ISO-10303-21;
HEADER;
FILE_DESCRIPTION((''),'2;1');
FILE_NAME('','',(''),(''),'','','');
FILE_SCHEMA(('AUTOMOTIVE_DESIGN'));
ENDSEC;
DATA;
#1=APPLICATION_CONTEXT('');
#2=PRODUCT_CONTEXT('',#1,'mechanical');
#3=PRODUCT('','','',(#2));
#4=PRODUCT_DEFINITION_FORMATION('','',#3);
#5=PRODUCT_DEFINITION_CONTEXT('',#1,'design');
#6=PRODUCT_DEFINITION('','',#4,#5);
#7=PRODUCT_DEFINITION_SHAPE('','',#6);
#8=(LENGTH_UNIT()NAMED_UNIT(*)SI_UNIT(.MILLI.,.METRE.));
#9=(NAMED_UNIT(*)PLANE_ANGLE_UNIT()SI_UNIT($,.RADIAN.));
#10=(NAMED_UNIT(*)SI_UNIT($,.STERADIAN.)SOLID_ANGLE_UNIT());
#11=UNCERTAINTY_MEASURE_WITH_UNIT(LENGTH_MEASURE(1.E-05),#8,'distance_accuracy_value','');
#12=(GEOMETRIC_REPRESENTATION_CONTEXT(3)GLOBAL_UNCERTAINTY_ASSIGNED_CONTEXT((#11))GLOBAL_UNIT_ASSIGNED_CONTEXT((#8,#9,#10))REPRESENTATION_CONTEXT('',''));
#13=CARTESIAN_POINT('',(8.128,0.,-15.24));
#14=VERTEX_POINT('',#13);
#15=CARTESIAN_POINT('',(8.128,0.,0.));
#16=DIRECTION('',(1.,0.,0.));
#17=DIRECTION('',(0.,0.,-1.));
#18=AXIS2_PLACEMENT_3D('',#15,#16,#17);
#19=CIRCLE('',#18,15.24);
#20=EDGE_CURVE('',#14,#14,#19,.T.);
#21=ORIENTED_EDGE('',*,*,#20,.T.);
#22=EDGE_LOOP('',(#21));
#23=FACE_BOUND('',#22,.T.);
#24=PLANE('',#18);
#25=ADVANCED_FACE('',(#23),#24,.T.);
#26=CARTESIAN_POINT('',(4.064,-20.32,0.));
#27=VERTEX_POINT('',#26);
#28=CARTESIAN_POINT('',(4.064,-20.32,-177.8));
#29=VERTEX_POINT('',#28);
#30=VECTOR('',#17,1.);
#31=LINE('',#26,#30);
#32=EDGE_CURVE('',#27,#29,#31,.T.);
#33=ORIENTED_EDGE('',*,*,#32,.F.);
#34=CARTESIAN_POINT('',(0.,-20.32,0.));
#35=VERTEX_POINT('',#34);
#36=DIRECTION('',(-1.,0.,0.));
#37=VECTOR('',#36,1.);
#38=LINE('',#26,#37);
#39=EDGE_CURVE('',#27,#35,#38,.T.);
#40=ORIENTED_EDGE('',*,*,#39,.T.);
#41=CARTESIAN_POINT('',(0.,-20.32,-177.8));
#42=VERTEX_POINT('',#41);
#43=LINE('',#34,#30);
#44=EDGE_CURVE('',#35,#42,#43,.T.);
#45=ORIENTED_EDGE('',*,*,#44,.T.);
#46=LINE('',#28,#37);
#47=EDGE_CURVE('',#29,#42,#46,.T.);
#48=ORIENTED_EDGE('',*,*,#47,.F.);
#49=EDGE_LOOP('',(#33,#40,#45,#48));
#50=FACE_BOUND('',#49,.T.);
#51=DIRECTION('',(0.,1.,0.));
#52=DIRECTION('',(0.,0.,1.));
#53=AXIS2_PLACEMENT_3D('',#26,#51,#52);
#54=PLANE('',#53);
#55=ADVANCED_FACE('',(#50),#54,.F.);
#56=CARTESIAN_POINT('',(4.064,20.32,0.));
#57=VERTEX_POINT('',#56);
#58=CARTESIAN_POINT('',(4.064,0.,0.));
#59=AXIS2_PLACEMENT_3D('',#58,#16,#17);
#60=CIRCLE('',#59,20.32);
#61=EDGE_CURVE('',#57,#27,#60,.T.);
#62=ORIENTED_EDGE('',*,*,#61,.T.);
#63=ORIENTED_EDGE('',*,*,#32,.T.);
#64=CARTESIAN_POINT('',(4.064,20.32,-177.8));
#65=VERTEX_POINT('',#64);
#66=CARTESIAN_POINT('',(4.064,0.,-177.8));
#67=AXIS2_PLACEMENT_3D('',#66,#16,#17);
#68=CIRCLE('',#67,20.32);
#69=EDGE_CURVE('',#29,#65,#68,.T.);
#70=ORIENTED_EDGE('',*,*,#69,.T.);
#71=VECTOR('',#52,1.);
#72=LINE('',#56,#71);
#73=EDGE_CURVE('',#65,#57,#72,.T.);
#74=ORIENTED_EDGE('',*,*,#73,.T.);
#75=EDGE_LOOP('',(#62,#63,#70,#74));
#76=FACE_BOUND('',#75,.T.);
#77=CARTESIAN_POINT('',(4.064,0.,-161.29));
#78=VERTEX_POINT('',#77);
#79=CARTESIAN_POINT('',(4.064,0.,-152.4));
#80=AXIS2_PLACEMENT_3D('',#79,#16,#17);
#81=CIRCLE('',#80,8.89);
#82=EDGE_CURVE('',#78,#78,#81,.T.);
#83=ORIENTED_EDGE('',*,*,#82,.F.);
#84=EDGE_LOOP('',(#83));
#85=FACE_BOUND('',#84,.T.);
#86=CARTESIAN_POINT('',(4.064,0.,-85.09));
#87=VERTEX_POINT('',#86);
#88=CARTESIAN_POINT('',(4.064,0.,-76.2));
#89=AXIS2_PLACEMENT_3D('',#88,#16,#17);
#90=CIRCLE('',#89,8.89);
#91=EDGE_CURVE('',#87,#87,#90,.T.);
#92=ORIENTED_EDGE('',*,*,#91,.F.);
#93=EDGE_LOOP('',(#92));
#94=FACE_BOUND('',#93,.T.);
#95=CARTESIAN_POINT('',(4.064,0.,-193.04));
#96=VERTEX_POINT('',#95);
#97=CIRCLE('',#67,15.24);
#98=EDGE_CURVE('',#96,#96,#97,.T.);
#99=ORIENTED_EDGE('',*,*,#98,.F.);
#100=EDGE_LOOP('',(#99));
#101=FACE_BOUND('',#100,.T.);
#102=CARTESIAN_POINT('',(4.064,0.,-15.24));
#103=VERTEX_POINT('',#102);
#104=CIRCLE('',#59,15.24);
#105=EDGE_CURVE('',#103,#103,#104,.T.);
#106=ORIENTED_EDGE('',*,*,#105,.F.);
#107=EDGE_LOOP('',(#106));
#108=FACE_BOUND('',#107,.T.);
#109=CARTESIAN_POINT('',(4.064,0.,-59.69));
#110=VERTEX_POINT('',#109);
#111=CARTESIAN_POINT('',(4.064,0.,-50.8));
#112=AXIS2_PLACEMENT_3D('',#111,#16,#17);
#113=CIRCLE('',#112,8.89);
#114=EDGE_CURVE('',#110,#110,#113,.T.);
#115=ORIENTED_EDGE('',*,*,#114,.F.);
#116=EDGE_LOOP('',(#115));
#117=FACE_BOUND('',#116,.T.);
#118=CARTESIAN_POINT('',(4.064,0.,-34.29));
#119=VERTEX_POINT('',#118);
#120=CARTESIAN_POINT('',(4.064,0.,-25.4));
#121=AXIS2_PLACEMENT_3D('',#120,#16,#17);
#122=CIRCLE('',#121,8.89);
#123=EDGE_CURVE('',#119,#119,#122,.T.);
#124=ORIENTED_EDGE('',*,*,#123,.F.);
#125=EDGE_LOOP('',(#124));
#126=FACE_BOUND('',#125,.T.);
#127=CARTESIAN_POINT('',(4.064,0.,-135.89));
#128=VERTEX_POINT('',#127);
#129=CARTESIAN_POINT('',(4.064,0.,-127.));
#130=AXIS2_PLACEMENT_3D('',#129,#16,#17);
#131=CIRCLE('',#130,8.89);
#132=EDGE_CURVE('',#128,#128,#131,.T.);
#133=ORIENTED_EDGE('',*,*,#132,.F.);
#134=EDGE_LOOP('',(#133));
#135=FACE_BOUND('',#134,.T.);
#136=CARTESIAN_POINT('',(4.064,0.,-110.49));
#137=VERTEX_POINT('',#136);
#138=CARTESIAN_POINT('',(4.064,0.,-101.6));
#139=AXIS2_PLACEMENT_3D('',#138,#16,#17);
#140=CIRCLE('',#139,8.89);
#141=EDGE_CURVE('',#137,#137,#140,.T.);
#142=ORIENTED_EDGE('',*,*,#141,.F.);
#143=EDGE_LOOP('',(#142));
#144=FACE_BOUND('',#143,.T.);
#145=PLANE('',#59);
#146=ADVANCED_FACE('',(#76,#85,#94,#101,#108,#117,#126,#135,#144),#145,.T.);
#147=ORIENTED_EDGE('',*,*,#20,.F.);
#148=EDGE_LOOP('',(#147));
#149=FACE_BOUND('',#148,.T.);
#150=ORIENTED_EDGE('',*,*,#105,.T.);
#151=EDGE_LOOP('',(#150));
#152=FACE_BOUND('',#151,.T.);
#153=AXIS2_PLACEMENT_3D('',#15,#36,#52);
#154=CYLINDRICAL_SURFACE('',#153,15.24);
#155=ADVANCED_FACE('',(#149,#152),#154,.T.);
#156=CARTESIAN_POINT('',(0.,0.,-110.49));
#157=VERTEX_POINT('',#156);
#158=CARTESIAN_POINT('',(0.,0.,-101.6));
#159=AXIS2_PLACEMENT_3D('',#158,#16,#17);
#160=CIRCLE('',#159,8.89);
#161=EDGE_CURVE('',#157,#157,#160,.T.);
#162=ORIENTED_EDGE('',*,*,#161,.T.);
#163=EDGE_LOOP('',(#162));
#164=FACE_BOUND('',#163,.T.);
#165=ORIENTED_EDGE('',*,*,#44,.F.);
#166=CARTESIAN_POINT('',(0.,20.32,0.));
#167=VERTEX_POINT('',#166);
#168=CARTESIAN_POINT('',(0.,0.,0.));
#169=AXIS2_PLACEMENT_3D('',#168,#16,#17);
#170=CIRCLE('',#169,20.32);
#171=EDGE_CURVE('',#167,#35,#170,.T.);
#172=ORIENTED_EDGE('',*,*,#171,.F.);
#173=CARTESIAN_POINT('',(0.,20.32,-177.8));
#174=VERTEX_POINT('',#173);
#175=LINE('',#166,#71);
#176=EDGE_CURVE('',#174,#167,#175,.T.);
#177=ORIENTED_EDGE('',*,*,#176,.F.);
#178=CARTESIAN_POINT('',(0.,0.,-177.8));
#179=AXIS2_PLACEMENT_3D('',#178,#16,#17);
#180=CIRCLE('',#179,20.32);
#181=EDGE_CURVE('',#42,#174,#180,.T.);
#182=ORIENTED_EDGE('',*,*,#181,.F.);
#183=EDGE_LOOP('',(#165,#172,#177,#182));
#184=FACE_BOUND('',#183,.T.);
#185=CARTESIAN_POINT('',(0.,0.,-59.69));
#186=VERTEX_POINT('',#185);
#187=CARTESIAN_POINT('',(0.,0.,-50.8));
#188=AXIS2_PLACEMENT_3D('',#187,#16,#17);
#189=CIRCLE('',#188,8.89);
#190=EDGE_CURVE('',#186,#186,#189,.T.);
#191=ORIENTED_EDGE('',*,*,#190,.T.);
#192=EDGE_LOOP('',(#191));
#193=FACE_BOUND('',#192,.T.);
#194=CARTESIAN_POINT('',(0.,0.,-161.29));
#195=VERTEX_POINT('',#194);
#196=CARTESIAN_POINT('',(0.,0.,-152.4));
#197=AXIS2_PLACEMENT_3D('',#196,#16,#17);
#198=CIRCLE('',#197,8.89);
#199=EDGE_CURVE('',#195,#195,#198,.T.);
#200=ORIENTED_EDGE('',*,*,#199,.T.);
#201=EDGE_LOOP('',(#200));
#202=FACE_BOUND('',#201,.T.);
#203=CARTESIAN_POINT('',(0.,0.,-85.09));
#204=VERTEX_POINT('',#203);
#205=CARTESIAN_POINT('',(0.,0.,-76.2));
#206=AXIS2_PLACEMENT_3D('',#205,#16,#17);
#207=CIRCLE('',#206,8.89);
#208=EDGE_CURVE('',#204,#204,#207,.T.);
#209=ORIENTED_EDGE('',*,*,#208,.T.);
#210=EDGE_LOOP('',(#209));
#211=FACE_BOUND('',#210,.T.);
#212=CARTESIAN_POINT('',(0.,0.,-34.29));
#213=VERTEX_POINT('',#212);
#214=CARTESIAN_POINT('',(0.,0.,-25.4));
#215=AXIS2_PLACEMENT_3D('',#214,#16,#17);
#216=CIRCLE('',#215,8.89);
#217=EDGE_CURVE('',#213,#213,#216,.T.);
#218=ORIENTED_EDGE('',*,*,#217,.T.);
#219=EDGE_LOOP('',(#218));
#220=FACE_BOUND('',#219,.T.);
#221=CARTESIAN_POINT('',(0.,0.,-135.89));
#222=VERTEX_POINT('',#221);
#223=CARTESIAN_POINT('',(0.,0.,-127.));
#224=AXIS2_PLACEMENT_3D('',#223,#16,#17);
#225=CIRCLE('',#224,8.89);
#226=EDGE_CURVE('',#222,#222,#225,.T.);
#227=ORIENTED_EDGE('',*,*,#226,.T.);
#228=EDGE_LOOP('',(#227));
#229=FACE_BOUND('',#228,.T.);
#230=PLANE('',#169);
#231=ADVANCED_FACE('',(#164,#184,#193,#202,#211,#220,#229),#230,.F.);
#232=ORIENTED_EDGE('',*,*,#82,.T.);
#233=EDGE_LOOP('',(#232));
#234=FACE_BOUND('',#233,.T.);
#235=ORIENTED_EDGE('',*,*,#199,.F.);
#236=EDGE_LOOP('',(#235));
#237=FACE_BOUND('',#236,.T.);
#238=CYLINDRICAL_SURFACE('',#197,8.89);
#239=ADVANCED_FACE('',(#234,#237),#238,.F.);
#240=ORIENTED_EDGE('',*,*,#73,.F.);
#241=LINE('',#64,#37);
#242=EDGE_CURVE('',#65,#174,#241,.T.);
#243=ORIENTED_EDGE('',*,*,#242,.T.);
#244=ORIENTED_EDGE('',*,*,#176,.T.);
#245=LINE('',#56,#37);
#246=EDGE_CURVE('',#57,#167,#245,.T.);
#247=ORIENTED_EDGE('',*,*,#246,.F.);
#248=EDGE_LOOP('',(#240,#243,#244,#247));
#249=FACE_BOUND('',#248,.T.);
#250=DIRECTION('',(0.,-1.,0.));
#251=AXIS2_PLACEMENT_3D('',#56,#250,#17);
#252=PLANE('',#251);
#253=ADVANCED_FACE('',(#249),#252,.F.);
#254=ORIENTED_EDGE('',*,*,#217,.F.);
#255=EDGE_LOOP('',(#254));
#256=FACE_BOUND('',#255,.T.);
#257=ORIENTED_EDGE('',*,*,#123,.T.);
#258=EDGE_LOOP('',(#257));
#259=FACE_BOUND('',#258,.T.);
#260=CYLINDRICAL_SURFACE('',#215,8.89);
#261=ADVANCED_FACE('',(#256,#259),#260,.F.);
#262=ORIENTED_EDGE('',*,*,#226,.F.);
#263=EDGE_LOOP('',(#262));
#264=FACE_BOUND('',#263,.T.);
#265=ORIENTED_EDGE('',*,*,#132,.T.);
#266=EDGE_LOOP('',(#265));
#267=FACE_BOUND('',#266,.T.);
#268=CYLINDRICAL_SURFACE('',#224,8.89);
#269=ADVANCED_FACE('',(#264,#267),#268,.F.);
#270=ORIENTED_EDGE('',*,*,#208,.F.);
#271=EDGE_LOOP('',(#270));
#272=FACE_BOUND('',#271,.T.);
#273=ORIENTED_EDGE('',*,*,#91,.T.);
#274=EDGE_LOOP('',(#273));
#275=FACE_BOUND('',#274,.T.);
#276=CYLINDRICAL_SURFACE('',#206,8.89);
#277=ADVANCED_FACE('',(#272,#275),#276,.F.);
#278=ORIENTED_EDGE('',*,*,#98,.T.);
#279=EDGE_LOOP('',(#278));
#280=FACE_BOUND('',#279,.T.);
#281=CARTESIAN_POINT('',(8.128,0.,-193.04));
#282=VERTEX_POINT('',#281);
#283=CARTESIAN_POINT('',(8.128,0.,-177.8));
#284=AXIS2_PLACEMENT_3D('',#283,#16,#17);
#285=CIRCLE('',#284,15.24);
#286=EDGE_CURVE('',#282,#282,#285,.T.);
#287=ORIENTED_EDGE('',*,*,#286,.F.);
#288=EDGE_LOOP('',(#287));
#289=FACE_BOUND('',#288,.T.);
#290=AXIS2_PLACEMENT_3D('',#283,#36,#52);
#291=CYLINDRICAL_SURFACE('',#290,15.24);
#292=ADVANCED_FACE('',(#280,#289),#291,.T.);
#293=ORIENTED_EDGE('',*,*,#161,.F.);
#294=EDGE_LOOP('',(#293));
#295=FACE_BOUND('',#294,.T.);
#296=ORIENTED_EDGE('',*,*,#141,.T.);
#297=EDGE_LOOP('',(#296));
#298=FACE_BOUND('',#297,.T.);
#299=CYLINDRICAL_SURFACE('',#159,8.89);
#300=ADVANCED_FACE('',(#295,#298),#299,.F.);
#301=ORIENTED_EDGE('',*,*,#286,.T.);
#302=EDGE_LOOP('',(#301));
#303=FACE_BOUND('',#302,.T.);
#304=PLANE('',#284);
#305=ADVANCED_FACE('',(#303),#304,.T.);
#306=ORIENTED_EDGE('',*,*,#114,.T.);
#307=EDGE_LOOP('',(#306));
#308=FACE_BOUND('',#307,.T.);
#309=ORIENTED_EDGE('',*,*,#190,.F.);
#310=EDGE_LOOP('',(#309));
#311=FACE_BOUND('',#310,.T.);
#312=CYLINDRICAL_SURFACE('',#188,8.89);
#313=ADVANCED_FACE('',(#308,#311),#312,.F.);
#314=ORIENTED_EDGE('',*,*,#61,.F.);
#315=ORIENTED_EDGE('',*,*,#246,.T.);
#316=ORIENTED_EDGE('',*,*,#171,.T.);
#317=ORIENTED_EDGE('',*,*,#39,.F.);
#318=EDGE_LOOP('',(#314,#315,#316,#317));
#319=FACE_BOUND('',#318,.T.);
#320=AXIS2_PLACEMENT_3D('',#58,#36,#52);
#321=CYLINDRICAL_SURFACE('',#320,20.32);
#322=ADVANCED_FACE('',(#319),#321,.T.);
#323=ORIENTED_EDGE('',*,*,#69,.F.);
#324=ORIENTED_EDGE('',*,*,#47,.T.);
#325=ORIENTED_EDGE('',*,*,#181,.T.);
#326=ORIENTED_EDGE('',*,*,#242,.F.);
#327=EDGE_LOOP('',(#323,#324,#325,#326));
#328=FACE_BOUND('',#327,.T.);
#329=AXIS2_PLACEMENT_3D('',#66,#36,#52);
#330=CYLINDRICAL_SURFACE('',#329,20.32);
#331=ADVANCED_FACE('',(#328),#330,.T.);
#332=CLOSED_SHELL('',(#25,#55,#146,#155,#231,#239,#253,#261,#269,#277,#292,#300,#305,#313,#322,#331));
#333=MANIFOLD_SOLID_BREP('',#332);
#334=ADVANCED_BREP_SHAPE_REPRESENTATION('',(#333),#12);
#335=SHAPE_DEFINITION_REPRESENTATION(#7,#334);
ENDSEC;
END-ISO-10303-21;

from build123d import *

# Parameters (mm, degrees)
BOSS_EXTRUDE1_DEPTH = 4.064
SKETCH2_R           = 15.24
BOSS_EXTRUDE2_DEPTH = 4.064
SKETCH3_R           = 8.89
CUT_EXTRUDE1_DEPTH  = 5.064
LPATTERN1_COUNT     = 6
LPATTERN1_PITCH     = 25.4


with BuildPart() as part:
    # Sketch1 → Boss-Extrude1 (new body)
    with BuildSketch(Plane(origin=(0, 0, 0), x_dir=(0, 0, -1), z_dir=(1, 0, 0))):
        with BuildLine():
            Line((0, 20.32), (177.8, 20.32))
            ThreePointArc((177.8, 20.32), (198.12, 0), (177.8, -20.32))
            Line((177.8, -20.32), (0, -20.32))
            ThreePointArc((0, -20.32), (-20.32, 0), (0, 20.32))
        make_face()
    extrude(amount=BOSS_EXTRUDE1_DEPTH)

    # Sketch2 → Boss-Extrude2 (add)
    with BuildSketch(Plane(origin=(4.064, 0, 0), x_dir=(0, 0, -1), z_dir=(1, 0, 0))):
        Circle(SKETCH2_R)
        with Locations((177.8, 0)):
            Circle(SKETCH2_R)
    extrude(amount=BOSS_EXTRUDE2_DEPTH)

    # Sketch3 → Cut-Extrude1 (cut, through all)
    with BuildSketch(Plane(origin=(4.064, 0, 0), x_dir=(0, 0, -1), z_dir=(1, 0, 0))):
        with Locations((25.4, 0)):
            Circle(SKETCH3_R)
    cut_extrude1 = extrude(amount=-CUT_EXTRUDE1_DEPTH, mode=Mode.SUBTRACT)

    # LPattern1: Cut-Extrude1 ×6
    with Locations(*[(0, 0, -i * LPATTERN1_PITCH) for i in range(1, LPATTERN1_COUNT)]):
        add(cut_extrude1, mode=Mode.SUBTRACT)


solid = part.part
